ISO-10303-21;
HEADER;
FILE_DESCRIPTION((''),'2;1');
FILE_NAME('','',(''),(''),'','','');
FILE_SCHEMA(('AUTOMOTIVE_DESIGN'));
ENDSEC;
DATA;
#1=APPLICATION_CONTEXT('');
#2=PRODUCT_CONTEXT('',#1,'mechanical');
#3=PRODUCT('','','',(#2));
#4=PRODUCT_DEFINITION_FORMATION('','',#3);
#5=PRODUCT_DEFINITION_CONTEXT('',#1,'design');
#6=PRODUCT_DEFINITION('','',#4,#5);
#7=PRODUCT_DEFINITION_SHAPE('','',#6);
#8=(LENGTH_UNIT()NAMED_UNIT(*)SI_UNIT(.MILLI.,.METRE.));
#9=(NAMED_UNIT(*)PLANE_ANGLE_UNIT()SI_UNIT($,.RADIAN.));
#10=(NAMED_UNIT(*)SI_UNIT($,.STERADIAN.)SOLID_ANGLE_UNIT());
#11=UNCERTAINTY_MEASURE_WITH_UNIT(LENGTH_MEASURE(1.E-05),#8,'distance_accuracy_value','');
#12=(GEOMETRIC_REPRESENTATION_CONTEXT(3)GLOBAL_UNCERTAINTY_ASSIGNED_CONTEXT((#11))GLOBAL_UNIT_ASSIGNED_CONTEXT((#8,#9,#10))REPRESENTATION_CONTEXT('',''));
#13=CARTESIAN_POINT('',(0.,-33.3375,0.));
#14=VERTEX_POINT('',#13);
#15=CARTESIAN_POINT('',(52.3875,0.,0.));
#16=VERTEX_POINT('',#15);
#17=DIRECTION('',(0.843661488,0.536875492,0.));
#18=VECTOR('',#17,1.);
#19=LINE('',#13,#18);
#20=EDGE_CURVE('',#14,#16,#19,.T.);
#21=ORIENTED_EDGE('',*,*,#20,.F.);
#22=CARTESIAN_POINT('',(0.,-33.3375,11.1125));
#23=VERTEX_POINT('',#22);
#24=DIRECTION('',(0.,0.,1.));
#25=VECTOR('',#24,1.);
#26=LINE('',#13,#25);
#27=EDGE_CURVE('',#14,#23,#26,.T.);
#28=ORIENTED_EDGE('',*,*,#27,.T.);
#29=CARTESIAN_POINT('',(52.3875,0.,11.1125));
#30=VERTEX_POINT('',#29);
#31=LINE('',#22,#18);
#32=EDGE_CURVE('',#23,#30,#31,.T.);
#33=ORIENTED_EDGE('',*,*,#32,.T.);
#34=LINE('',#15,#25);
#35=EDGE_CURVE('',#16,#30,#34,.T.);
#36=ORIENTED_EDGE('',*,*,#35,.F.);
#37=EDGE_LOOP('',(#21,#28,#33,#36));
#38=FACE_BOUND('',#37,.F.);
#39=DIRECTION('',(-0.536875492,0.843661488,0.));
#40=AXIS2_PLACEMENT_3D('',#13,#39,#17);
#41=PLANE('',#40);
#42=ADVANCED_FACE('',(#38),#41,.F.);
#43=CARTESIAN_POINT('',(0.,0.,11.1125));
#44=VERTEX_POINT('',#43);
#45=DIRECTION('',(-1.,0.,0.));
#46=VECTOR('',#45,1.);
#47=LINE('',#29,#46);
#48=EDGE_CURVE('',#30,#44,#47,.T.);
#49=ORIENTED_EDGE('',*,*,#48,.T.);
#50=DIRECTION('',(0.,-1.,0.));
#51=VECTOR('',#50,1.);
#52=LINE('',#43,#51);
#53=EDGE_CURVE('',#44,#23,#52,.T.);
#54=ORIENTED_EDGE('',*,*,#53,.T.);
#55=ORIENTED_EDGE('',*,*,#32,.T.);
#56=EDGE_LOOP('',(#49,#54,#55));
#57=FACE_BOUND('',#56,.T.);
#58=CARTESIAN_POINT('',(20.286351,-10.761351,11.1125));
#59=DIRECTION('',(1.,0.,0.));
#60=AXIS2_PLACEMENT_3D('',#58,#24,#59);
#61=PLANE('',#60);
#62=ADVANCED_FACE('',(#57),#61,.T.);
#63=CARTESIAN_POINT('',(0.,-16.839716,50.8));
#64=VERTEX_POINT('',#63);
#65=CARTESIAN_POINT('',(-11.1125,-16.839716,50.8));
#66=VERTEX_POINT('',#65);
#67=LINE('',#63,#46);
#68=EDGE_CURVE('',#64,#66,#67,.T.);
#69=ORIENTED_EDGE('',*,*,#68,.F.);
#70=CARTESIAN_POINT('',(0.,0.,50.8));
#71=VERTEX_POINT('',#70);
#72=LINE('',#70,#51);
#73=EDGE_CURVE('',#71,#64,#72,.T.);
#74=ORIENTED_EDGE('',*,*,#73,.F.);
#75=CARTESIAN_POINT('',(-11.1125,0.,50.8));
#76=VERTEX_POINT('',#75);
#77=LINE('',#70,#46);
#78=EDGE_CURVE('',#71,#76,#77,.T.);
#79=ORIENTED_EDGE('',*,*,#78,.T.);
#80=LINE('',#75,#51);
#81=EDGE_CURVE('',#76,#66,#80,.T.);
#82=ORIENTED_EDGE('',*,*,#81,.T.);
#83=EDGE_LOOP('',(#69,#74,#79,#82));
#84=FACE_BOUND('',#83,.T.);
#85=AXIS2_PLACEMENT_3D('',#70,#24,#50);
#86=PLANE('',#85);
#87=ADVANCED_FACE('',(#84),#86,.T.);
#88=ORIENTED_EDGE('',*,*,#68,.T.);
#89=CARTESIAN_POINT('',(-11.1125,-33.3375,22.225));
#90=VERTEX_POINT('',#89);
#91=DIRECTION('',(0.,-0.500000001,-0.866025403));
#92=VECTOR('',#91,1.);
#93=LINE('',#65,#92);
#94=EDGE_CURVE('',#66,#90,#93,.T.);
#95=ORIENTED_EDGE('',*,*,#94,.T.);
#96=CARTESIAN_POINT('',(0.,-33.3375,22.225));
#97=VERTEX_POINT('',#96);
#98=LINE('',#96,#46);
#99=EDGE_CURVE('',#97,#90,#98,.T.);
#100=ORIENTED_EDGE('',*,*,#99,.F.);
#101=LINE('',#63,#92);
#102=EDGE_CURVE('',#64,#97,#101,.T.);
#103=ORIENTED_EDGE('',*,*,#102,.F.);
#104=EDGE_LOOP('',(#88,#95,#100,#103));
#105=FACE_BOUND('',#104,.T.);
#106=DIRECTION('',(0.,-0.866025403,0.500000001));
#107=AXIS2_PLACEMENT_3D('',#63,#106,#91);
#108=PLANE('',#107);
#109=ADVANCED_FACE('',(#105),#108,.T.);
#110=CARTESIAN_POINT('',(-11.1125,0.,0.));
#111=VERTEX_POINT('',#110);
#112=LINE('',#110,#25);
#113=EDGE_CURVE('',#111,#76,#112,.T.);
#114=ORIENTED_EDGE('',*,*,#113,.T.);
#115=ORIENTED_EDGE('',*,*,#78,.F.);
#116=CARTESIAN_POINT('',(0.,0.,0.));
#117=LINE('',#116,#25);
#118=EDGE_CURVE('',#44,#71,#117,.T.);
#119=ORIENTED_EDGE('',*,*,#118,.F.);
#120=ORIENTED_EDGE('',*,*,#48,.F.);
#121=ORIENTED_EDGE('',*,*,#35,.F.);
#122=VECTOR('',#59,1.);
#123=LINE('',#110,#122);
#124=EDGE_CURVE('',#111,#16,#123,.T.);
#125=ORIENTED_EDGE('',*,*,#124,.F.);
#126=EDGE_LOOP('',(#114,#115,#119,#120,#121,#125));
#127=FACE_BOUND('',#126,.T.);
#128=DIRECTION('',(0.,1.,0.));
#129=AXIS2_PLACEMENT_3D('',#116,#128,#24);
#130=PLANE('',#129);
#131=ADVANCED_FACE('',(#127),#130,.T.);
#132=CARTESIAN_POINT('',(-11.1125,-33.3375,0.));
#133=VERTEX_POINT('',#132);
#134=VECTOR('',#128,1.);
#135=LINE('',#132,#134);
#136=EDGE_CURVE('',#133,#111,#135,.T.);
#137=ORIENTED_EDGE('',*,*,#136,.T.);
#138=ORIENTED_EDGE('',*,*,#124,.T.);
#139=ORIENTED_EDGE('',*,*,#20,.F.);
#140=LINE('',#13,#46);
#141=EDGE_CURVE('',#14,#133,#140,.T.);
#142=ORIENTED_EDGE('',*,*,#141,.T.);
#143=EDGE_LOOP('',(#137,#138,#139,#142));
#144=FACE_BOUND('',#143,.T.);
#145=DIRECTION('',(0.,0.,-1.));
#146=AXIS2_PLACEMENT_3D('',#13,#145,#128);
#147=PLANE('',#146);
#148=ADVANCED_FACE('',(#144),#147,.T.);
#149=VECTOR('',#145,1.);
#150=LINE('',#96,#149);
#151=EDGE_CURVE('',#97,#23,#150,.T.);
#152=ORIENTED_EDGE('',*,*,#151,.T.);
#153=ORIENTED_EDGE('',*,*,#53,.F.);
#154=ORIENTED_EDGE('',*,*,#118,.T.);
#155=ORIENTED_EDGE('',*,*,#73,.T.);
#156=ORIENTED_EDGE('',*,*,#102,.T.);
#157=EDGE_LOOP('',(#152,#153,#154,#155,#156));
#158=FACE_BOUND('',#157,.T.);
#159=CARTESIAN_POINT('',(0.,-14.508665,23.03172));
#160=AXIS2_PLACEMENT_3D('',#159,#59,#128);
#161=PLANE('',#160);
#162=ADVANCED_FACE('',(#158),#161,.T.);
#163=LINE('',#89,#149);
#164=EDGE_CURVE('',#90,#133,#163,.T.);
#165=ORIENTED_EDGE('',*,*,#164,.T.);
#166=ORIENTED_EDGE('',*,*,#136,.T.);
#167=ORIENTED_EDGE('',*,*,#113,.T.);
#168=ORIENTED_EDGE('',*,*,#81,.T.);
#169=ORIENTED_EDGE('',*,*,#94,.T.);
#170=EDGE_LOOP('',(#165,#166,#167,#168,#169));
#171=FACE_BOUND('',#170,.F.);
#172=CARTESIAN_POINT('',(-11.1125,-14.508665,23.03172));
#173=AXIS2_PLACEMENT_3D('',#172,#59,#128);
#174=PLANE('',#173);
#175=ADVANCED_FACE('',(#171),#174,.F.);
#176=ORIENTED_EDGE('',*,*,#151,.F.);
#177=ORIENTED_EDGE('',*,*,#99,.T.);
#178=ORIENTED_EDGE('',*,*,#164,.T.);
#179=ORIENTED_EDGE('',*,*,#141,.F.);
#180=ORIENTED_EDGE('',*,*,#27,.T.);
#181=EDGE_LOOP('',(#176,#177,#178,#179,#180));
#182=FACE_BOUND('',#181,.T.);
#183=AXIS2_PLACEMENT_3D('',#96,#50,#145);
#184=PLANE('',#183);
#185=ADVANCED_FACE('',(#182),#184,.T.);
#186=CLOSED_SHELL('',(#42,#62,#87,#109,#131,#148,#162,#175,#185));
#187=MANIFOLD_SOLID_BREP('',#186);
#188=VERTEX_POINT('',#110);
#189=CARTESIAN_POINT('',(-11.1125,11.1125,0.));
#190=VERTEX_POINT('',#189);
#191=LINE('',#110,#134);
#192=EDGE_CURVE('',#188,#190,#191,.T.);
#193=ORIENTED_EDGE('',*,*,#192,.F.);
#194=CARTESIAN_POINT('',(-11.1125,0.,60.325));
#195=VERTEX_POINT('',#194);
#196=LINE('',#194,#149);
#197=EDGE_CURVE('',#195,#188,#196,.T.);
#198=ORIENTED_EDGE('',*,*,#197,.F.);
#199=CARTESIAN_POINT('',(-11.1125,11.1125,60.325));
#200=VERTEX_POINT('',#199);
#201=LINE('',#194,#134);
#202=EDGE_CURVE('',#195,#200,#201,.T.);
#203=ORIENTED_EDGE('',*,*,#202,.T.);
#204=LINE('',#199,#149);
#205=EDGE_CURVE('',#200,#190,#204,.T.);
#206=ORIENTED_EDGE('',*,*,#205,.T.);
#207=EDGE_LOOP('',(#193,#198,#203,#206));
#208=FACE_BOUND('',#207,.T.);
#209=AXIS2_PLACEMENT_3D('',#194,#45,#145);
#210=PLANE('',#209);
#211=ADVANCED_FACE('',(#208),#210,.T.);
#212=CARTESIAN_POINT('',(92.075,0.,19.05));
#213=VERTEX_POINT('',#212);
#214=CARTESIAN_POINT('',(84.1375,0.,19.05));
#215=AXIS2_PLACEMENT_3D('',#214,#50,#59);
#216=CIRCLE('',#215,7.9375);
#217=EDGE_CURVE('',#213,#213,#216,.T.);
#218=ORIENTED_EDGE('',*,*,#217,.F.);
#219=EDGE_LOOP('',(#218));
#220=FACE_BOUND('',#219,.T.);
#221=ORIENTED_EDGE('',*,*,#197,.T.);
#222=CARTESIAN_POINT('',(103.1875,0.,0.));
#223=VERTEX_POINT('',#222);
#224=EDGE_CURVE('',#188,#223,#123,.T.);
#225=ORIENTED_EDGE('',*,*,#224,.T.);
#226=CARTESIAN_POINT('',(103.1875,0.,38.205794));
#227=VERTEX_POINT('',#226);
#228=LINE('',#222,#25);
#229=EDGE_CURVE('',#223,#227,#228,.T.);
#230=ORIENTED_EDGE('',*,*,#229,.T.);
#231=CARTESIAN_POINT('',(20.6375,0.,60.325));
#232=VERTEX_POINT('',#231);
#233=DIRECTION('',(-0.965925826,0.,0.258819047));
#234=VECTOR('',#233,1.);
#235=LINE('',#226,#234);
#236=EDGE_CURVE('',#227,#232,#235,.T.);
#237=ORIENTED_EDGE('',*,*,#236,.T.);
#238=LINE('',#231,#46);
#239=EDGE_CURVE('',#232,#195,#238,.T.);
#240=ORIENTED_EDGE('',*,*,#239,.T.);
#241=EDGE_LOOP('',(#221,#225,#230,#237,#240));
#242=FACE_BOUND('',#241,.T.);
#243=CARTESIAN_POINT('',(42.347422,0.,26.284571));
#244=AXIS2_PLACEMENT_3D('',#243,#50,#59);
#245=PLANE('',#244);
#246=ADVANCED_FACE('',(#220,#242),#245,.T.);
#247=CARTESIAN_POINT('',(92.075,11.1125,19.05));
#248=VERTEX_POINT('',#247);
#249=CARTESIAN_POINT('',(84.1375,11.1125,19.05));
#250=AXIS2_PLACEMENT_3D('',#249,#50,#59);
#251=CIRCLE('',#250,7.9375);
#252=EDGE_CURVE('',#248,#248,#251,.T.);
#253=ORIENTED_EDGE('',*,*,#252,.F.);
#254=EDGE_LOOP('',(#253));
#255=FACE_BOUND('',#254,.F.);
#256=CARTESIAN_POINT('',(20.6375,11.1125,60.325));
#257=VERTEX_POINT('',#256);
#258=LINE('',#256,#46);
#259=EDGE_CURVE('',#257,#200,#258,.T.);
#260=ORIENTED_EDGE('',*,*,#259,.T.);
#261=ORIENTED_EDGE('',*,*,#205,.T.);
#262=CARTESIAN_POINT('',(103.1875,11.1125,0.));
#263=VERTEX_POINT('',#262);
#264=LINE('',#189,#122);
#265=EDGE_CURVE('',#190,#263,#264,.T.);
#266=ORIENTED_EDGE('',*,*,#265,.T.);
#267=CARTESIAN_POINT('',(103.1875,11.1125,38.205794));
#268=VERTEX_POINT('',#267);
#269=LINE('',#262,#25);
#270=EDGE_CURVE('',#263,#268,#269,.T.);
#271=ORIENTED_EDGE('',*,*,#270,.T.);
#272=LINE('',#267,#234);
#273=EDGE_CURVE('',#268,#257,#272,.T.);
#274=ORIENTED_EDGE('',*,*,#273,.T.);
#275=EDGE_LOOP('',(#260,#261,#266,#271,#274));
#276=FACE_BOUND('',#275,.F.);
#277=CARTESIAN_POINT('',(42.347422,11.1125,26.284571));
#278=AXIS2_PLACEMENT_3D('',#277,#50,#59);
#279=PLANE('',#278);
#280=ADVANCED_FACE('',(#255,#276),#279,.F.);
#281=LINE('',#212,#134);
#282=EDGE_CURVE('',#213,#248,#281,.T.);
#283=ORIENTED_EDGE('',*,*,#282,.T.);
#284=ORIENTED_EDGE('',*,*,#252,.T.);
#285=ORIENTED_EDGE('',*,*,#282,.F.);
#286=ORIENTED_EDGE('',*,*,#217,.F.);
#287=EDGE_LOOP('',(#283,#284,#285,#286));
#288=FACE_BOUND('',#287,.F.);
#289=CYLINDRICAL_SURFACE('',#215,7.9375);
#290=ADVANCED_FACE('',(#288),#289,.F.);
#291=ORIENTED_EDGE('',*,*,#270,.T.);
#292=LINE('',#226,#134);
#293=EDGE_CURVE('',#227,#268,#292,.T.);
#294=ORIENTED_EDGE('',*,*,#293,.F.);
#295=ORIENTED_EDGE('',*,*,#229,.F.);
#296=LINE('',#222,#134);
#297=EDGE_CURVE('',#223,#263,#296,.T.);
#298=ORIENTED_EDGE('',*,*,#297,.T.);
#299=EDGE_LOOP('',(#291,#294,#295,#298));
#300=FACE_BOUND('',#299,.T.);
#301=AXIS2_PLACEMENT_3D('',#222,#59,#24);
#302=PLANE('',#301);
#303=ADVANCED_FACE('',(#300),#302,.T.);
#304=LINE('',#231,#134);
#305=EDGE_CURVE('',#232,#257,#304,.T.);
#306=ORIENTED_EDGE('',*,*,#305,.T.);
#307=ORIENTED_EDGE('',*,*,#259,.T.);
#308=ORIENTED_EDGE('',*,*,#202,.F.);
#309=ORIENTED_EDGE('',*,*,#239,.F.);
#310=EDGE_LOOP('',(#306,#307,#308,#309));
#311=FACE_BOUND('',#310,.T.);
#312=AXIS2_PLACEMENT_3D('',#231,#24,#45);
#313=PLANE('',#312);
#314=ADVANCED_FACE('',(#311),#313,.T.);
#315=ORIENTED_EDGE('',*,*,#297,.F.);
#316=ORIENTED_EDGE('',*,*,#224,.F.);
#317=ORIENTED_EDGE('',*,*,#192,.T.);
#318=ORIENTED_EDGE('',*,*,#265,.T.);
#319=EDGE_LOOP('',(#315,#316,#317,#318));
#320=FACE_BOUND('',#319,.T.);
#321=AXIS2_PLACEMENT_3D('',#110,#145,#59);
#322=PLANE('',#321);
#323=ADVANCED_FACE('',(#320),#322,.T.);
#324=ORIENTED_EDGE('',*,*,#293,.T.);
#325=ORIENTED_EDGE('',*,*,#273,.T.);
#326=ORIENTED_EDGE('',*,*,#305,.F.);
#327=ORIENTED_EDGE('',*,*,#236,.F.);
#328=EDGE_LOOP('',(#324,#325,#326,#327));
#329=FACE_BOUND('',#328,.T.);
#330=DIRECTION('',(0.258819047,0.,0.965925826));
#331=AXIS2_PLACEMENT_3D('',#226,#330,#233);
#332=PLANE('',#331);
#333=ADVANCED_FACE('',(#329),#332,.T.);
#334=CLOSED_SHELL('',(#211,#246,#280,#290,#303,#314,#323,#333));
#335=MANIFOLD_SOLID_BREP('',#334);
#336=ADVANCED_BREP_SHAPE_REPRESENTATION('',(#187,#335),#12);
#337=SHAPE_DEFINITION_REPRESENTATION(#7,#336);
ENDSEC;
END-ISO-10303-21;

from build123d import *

# Parameters (mm, degrees)
F3_DEPTH = 11.1125
F4_DEPTH = 11.1125
F2_R     = 7.9375
F5_DEPTH = 11.1125


with BuildPart() as f3:
    # F0 (on Top) → F3 (new body)
    with BuildSketch(Plane.XY):
        Polygon((52.3875, 0), (0, 0), (0, -33.3375), align=None)
    extrude(amount=F3_DEPTH)

    # F1 (on Right) → F4 (join)
    with BuildSketch(Plane.YZ):
        Polygon((-33.3375, 0), (0, 0), (0, 50.8), (-16.839716, 50.8), (-33.3375, 22.225), align=None)
    extrude(amount=-F4_DEPTH)


with BuildPart() as f5:
    # F2 (on Front) → F5 (new body)
    with BuildSketch(Plane.XZ):
        Polygon((20.6375, 60.325), (-11.1125, 60.325), (-11.1125, 0), (103.1875, 0), (103.1875, 38.205794), align=None)
        with Locations((84.1375, 19.05)):
            Circle(F2_R, mode=Mode.SUBTRACT)
    extrude(amount=-F5_DEPTH)


solid = Compound([f3.part, f5.part])
